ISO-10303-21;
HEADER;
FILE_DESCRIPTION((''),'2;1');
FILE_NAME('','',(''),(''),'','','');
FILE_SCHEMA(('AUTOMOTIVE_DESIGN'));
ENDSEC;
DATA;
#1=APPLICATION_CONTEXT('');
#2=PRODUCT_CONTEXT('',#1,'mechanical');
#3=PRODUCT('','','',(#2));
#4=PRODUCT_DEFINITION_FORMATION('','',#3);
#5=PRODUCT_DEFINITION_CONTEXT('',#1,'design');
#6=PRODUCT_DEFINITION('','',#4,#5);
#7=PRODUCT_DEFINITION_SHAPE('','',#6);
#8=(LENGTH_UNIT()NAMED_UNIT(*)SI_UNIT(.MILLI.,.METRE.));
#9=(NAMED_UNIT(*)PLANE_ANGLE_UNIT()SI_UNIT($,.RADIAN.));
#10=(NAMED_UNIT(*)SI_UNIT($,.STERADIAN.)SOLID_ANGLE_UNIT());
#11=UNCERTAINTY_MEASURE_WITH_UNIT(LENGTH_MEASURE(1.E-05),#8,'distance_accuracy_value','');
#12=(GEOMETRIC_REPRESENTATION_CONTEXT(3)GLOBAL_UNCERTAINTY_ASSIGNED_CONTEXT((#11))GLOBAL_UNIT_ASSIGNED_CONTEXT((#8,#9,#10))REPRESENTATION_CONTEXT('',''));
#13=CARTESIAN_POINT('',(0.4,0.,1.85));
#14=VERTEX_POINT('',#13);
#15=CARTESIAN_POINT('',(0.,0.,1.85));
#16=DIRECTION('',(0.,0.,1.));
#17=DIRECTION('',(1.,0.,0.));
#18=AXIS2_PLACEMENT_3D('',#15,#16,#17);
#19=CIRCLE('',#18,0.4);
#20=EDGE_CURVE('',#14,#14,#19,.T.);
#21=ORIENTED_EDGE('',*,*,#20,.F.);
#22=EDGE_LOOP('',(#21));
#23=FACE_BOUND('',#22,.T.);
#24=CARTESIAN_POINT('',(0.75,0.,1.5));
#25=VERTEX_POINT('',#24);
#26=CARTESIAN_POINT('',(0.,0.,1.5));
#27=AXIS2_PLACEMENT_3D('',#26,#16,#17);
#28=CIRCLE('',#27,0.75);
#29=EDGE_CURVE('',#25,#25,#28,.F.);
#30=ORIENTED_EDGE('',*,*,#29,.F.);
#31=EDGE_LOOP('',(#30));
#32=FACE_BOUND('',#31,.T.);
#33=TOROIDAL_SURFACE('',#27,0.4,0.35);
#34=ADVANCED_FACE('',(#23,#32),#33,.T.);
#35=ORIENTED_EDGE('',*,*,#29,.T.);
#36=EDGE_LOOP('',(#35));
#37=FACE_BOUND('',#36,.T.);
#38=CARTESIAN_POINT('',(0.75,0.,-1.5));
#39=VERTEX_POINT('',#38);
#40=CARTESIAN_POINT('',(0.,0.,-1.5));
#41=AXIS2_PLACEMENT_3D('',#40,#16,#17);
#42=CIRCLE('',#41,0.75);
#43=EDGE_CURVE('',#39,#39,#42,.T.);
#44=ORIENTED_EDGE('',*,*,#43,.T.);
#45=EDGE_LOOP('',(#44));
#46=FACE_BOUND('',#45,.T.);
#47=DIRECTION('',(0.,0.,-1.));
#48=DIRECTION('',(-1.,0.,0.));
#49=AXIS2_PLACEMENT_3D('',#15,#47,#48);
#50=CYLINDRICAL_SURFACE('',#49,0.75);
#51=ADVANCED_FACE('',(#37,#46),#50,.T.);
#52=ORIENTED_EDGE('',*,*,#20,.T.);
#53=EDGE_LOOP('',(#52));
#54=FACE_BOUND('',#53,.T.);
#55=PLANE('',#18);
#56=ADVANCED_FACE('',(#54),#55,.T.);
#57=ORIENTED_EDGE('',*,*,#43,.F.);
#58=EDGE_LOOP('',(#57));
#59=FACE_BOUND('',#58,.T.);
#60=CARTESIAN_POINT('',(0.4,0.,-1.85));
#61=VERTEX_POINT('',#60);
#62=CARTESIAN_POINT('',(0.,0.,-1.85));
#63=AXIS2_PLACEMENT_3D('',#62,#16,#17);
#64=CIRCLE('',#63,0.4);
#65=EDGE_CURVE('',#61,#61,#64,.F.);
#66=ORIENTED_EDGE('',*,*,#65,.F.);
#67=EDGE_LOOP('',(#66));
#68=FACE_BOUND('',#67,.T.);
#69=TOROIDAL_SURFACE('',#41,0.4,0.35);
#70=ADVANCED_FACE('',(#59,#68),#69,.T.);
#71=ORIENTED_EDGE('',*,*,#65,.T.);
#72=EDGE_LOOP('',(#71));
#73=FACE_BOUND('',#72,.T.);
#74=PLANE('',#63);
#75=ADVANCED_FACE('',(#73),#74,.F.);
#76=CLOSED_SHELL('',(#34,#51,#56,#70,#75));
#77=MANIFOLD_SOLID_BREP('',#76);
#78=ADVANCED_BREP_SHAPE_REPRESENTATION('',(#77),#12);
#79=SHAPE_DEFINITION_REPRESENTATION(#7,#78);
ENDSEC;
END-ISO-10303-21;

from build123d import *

# Parameters (mm, degrees)
SKETCH1_R           = 0.75
BOSS_EXTRUDE1_DEPTH = 1.85
FILLET1_R           = 0.35


with BuildPart() as part:
    # Sketch1 → Boss-Extrude1 (new body, symmetric)
    with BuildSketch(Plane.XY):
        Circle(SKETCH1_R)
    extrude(amount=BOSS_EXTRUDE1_DEPTH, both=True)

    # Fillet1
    fillet1_edges = [part.edges().sort_by_distance(p)[0] for p in [
        (-0.75, 0, -1.85),
        (-0.75, 0, 1.85),
    ]]
    fillet(fillet1_edges, radius=FILLET1_R)


solid = part.part
